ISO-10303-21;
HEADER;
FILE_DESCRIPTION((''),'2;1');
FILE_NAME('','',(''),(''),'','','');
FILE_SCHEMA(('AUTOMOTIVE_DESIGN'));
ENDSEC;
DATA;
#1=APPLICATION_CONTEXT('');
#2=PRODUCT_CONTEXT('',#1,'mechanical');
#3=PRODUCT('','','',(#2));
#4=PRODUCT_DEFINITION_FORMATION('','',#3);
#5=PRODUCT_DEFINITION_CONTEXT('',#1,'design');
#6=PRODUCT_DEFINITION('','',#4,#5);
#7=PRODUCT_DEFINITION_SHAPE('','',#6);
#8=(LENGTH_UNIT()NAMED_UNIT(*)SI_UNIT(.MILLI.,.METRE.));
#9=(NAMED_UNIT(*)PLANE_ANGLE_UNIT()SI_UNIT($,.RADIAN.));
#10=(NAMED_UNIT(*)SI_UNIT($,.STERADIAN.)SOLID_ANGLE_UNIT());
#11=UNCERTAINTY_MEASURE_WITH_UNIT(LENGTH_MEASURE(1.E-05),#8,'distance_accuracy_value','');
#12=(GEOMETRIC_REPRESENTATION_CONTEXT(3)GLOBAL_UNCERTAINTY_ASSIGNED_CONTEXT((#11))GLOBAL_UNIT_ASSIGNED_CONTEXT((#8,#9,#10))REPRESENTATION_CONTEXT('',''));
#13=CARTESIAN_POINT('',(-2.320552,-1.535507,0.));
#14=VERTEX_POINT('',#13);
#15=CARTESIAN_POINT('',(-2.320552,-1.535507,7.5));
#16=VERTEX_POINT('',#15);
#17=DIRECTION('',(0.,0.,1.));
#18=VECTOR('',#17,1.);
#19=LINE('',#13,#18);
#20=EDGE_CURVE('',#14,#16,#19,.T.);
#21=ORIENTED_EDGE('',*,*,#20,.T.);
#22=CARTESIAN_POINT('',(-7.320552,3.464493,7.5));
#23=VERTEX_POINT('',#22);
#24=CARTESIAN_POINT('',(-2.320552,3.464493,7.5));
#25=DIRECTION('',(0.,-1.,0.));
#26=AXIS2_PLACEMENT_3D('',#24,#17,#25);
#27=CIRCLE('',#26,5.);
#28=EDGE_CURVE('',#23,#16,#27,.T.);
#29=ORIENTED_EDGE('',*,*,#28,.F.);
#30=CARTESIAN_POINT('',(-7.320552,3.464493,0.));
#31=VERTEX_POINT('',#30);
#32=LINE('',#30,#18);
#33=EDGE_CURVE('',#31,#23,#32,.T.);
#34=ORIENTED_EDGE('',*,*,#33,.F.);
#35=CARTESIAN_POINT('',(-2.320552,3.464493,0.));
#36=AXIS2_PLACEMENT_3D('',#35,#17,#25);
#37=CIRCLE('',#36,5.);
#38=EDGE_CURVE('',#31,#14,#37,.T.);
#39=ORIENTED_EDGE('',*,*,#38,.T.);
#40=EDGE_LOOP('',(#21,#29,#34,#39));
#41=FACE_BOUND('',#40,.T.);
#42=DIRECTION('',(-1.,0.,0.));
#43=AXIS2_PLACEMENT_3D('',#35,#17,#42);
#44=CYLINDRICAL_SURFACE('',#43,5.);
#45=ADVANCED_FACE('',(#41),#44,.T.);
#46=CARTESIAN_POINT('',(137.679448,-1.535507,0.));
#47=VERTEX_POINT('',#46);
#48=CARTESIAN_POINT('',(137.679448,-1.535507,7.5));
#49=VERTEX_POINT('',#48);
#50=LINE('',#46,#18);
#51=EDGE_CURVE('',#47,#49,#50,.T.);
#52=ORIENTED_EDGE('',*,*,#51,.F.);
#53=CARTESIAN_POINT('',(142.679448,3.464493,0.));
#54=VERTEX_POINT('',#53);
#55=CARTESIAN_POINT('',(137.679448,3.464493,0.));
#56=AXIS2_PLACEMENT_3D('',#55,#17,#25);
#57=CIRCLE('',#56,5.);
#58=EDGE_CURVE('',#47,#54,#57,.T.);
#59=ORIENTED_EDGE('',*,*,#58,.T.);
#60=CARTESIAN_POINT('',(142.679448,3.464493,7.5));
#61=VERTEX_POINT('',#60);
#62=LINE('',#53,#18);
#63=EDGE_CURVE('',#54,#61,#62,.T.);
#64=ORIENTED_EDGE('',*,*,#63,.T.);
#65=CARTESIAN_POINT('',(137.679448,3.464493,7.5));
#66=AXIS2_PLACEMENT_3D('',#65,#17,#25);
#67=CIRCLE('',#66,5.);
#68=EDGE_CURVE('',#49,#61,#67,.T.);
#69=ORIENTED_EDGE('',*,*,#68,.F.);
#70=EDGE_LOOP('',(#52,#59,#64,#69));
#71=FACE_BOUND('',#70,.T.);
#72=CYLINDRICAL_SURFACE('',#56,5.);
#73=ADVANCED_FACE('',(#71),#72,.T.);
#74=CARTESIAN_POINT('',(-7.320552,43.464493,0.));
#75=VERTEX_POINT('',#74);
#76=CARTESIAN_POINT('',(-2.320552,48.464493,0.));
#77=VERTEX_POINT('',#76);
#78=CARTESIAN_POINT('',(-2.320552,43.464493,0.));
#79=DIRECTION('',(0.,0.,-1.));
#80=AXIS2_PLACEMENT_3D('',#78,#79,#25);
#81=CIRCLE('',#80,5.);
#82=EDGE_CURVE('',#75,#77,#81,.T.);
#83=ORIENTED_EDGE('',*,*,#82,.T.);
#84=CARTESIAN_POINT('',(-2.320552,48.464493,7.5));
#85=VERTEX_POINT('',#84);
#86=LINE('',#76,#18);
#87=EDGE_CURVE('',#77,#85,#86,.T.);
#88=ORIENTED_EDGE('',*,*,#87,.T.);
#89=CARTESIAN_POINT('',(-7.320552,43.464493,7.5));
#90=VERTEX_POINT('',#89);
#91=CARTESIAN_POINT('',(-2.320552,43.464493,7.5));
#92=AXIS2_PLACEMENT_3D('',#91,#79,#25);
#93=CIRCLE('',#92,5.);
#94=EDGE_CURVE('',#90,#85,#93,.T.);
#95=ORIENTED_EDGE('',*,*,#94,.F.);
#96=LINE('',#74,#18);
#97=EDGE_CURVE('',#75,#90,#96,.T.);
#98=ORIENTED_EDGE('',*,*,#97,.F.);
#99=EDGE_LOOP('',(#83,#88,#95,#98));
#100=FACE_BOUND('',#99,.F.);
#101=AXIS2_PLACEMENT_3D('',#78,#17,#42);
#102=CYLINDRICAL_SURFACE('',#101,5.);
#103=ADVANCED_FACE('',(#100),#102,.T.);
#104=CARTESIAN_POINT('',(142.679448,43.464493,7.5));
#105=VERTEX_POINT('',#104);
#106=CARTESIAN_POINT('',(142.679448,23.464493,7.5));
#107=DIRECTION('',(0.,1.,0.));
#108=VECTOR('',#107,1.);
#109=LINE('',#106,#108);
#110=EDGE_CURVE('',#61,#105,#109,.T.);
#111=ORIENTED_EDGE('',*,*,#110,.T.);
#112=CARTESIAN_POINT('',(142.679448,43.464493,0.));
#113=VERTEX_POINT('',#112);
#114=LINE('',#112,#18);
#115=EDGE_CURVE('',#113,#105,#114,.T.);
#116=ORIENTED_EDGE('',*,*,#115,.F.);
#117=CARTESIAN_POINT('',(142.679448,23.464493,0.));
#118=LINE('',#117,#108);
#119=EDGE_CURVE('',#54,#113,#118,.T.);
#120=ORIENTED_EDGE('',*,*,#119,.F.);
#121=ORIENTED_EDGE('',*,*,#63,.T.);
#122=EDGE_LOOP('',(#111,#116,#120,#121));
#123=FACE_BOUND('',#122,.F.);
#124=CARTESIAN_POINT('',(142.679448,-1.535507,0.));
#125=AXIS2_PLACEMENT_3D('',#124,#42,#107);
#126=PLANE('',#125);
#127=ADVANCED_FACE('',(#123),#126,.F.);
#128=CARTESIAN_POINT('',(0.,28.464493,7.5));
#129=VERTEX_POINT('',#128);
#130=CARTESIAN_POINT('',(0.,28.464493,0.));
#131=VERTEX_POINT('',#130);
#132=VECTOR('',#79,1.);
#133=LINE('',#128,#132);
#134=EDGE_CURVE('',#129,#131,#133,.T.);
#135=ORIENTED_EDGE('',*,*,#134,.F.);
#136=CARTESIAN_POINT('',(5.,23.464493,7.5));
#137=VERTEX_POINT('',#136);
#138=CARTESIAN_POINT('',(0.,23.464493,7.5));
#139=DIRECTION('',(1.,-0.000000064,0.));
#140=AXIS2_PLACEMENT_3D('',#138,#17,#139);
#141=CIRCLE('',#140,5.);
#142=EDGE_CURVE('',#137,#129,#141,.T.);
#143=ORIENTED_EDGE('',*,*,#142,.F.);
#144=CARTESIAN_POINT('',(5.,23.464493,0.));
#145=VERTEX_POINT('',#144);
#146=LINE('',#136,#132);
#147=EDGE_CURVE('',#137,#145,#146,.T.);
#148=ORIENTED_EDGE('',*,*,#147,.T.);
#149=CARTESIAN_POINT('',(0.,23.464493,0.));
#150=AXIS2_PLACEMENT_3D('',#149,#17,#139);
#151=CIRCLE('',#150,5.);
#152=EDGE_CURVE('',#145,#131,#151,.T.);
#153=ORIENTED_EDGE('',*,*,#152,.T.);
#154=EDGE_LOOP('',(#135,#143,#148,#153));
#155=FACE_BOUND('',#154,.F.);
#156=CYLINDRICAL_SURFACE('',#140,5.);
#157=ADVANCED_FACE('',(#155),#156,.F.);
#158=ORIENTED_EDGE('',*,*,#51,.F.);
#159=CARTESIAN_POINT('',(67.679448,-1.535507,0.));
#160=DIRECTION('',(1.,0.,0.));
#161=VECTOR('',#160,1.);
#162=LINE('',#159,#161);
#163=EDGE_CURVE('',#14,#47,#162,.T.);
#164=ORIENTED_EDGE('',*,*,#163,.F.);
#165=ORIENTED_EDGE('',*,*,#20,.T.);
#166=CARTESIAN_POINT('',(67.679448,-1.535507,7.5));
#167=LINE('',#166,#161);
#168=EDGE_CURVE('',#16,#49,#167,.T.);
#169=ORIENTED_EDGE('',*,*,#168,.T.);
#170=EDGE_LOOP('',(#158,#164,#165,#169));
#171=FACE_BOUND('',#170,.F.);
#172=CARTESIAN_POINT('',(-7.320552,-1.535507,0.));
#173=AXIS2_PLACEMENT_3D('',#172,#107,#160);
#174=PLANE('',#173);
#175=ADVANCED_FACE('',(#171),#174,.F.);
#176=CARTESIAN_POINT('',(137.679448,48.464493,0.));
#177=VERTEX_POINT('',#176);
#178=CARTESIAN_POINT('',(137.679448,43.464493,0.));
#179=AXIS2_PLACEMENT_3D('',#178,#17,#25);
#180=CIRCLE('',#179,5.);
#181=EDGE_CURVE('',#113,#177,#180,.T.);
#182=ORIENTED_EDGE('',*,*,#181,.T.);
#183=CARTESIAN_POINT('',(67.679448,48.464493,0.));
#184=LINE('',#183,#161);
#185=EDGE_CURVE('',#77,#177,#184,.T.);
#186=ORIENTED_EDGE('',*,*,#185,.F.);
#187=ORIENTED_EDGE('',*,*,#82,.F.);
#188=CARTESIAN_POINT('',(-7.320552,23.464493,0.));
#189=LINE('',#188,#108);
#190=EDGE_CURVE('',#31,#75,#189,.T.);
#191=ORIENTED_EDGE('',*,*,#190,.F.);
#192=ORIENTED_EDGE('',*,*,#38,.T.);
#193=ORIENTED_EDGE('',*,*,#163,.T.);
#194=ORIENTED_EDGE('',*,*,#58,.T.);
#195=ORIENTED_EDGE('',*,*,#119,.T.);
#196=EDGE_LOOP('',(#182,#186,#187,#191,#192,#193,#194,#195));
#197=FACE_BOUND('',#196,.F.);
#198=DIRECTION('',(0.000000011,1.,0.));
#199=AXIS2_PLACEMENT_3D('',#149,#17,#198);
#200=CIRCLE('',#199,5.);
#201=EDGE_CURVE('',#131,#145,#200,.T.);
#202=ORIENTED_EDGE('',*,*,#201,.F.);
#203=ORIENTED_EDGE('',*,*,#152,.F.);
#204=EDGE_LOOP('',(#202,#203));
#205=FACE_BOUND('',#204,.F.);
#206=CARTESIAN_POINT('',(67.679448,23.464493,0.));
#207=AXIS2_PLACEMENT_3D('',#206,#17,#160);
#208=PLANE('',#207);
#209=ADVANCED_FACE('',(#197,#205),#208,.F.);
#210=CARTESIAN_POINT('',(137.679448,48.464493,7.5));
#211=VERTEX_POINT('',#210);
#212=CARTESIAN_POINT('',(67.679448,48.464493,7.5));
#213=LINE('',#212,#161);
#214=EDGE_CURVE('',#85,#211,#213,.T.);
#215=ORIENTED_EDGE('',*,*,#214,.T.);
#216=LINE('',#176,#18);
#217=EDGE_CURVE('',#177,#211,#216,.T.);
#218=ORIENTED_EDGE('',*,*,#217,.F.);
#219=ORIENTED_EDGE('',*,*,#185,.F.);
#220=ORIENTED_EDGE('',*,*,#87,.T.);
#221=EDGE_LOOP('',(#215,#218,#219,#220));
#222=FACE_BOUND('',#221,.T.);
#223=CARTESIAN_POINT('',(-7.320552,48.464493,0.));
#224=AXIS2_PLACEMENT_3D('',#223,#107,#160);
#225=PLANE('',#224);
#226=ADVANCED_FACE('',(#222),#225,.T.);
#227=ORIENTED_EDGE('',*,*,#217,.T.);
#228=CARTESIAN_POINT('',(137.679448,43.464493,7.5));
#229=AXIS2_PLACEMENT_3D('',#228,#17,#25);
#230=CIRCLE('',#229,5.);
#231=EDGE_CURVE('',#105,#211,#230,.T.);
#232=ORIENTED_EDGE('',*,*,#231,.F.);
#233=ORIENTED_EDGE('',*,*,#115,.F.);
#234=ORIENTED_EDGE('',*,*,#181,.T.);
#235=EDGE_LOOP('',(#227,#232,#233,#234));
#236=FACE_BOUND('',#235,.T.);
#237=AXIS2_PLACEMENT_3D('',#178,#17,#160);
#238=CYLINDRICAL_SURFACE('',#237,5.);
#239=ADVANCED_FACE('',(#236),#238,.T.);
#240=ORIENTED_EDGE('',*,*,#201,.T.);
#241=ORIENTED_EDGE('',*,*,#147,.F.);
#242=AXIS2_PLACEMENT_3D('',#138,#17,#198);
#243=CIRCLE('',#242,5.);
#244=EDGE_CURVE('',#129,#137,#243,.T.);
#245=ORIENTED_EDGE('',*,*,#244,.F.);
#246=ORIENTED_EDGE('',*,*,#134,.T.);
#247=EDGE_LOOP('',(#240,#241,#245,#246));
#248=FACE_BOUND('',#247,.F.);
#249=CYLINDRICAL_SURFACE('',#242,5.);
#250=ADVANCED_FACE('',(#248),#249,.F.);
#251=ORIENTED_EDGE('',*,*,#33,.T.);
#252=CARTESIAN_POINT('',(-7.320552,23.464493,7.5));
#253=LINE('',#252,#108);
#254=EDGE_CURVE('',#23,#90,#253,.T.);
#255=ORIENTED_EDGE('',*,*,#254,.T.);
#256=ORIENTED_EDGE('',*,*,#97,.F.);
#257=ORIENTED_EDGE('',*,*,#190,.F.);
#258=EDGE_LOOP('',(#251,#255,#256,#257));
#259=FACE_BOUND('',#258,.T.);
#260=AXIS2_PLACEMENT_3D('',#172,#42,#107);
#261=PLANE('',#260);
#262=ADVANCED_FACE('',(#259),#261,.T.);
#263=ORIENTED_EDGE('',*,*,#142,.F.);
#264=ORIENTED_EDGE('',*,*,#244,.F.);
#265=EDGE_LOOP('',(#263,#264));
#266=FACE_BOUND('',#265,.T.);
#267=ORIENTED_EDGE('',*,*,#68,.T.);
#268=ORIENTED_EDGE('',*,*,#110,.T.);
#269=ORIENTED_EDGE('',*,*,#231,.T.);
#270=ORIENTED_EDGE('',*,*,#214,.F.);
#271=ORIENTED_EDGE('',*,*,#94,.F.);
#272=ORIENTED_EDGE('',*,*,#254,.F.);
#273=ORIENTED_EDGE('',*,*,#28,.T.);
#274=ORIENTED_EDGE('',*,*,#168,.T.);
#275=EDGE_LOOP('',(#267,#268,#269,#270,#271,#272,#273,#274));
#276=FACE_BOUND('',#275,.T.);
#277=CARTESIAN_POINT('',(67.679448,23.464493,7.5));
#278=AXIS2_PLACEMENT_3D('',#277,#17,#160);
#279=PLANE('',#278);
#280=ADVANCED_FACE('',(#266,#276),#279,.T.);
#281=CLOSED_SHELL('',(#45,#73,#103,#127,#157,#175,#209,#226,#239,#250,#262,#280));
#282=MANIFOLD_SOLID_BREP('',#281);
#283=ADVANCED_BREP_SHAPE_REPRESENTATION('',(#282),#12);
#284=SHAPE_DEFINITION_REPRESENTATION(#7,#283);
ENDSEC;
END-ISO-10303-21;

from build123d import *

# Parameters (mm, degrees)
F0_W     = 150
F0_H     = 50
F1_DEPTH = 7.5
F2_R     = 5
F3_R     = 5
F4_R     = 5
F5_R     = 5
F7_DEPTH = 25


with BuildPart() as f1:
    # F0 (on Top) → F1 (new body)
    with BuildSketch(Plane.XY):
        with Locations((67.679448, 23.464493)):
            Rectangle(F0_W, F0_H)
    extrude(amount=F1_DEPTH)

    # F2
    f2_edges = [f1.edges().sort_by_distance(p)[0] for p in [
        (-7.320552, -1.535507, 3.75),
    ]]
    fillet(f2_edges, radius=F2_R)

    # F3
    f3_edges = [f1.edges().sort_by_distance(p)[0] for p in [
        (-7.320552, 48.464493, 3.75),
    ]]
    fillet(f3_edges, radius=F3_R)

    # F4
    f4_edges = [f1.edges().sort_by_distance(p)[0] for p in [
        (142.679448, -1.535507, 3.75),
    ]]
    fillet(f4_edges, radius=F4_R)

    # F5
    f5_edges = [f1.edges().sort_by_distance(p)[0] for p in [
        (142.679448, 48.464493, 3.75),
    ]]
    fillet(f5_edges, radius=F5_R)

    # F6 (on face) → F7 (cut)
    with BuildSketch(Plane.XY.offset(7.5)):
        with BuildLine():
            ThreePointArc((0, 28.464493), (-3.535534, 19.928959), (5, 23.464493))
            ThreePointArc((5, 23.464493), (3.535534, 27.000027), (0, 28.464493))
        make_face()
    extrude(amount=-F7_DEPTH, mode=Mode.SUBTRACT)


solid = f1.part
